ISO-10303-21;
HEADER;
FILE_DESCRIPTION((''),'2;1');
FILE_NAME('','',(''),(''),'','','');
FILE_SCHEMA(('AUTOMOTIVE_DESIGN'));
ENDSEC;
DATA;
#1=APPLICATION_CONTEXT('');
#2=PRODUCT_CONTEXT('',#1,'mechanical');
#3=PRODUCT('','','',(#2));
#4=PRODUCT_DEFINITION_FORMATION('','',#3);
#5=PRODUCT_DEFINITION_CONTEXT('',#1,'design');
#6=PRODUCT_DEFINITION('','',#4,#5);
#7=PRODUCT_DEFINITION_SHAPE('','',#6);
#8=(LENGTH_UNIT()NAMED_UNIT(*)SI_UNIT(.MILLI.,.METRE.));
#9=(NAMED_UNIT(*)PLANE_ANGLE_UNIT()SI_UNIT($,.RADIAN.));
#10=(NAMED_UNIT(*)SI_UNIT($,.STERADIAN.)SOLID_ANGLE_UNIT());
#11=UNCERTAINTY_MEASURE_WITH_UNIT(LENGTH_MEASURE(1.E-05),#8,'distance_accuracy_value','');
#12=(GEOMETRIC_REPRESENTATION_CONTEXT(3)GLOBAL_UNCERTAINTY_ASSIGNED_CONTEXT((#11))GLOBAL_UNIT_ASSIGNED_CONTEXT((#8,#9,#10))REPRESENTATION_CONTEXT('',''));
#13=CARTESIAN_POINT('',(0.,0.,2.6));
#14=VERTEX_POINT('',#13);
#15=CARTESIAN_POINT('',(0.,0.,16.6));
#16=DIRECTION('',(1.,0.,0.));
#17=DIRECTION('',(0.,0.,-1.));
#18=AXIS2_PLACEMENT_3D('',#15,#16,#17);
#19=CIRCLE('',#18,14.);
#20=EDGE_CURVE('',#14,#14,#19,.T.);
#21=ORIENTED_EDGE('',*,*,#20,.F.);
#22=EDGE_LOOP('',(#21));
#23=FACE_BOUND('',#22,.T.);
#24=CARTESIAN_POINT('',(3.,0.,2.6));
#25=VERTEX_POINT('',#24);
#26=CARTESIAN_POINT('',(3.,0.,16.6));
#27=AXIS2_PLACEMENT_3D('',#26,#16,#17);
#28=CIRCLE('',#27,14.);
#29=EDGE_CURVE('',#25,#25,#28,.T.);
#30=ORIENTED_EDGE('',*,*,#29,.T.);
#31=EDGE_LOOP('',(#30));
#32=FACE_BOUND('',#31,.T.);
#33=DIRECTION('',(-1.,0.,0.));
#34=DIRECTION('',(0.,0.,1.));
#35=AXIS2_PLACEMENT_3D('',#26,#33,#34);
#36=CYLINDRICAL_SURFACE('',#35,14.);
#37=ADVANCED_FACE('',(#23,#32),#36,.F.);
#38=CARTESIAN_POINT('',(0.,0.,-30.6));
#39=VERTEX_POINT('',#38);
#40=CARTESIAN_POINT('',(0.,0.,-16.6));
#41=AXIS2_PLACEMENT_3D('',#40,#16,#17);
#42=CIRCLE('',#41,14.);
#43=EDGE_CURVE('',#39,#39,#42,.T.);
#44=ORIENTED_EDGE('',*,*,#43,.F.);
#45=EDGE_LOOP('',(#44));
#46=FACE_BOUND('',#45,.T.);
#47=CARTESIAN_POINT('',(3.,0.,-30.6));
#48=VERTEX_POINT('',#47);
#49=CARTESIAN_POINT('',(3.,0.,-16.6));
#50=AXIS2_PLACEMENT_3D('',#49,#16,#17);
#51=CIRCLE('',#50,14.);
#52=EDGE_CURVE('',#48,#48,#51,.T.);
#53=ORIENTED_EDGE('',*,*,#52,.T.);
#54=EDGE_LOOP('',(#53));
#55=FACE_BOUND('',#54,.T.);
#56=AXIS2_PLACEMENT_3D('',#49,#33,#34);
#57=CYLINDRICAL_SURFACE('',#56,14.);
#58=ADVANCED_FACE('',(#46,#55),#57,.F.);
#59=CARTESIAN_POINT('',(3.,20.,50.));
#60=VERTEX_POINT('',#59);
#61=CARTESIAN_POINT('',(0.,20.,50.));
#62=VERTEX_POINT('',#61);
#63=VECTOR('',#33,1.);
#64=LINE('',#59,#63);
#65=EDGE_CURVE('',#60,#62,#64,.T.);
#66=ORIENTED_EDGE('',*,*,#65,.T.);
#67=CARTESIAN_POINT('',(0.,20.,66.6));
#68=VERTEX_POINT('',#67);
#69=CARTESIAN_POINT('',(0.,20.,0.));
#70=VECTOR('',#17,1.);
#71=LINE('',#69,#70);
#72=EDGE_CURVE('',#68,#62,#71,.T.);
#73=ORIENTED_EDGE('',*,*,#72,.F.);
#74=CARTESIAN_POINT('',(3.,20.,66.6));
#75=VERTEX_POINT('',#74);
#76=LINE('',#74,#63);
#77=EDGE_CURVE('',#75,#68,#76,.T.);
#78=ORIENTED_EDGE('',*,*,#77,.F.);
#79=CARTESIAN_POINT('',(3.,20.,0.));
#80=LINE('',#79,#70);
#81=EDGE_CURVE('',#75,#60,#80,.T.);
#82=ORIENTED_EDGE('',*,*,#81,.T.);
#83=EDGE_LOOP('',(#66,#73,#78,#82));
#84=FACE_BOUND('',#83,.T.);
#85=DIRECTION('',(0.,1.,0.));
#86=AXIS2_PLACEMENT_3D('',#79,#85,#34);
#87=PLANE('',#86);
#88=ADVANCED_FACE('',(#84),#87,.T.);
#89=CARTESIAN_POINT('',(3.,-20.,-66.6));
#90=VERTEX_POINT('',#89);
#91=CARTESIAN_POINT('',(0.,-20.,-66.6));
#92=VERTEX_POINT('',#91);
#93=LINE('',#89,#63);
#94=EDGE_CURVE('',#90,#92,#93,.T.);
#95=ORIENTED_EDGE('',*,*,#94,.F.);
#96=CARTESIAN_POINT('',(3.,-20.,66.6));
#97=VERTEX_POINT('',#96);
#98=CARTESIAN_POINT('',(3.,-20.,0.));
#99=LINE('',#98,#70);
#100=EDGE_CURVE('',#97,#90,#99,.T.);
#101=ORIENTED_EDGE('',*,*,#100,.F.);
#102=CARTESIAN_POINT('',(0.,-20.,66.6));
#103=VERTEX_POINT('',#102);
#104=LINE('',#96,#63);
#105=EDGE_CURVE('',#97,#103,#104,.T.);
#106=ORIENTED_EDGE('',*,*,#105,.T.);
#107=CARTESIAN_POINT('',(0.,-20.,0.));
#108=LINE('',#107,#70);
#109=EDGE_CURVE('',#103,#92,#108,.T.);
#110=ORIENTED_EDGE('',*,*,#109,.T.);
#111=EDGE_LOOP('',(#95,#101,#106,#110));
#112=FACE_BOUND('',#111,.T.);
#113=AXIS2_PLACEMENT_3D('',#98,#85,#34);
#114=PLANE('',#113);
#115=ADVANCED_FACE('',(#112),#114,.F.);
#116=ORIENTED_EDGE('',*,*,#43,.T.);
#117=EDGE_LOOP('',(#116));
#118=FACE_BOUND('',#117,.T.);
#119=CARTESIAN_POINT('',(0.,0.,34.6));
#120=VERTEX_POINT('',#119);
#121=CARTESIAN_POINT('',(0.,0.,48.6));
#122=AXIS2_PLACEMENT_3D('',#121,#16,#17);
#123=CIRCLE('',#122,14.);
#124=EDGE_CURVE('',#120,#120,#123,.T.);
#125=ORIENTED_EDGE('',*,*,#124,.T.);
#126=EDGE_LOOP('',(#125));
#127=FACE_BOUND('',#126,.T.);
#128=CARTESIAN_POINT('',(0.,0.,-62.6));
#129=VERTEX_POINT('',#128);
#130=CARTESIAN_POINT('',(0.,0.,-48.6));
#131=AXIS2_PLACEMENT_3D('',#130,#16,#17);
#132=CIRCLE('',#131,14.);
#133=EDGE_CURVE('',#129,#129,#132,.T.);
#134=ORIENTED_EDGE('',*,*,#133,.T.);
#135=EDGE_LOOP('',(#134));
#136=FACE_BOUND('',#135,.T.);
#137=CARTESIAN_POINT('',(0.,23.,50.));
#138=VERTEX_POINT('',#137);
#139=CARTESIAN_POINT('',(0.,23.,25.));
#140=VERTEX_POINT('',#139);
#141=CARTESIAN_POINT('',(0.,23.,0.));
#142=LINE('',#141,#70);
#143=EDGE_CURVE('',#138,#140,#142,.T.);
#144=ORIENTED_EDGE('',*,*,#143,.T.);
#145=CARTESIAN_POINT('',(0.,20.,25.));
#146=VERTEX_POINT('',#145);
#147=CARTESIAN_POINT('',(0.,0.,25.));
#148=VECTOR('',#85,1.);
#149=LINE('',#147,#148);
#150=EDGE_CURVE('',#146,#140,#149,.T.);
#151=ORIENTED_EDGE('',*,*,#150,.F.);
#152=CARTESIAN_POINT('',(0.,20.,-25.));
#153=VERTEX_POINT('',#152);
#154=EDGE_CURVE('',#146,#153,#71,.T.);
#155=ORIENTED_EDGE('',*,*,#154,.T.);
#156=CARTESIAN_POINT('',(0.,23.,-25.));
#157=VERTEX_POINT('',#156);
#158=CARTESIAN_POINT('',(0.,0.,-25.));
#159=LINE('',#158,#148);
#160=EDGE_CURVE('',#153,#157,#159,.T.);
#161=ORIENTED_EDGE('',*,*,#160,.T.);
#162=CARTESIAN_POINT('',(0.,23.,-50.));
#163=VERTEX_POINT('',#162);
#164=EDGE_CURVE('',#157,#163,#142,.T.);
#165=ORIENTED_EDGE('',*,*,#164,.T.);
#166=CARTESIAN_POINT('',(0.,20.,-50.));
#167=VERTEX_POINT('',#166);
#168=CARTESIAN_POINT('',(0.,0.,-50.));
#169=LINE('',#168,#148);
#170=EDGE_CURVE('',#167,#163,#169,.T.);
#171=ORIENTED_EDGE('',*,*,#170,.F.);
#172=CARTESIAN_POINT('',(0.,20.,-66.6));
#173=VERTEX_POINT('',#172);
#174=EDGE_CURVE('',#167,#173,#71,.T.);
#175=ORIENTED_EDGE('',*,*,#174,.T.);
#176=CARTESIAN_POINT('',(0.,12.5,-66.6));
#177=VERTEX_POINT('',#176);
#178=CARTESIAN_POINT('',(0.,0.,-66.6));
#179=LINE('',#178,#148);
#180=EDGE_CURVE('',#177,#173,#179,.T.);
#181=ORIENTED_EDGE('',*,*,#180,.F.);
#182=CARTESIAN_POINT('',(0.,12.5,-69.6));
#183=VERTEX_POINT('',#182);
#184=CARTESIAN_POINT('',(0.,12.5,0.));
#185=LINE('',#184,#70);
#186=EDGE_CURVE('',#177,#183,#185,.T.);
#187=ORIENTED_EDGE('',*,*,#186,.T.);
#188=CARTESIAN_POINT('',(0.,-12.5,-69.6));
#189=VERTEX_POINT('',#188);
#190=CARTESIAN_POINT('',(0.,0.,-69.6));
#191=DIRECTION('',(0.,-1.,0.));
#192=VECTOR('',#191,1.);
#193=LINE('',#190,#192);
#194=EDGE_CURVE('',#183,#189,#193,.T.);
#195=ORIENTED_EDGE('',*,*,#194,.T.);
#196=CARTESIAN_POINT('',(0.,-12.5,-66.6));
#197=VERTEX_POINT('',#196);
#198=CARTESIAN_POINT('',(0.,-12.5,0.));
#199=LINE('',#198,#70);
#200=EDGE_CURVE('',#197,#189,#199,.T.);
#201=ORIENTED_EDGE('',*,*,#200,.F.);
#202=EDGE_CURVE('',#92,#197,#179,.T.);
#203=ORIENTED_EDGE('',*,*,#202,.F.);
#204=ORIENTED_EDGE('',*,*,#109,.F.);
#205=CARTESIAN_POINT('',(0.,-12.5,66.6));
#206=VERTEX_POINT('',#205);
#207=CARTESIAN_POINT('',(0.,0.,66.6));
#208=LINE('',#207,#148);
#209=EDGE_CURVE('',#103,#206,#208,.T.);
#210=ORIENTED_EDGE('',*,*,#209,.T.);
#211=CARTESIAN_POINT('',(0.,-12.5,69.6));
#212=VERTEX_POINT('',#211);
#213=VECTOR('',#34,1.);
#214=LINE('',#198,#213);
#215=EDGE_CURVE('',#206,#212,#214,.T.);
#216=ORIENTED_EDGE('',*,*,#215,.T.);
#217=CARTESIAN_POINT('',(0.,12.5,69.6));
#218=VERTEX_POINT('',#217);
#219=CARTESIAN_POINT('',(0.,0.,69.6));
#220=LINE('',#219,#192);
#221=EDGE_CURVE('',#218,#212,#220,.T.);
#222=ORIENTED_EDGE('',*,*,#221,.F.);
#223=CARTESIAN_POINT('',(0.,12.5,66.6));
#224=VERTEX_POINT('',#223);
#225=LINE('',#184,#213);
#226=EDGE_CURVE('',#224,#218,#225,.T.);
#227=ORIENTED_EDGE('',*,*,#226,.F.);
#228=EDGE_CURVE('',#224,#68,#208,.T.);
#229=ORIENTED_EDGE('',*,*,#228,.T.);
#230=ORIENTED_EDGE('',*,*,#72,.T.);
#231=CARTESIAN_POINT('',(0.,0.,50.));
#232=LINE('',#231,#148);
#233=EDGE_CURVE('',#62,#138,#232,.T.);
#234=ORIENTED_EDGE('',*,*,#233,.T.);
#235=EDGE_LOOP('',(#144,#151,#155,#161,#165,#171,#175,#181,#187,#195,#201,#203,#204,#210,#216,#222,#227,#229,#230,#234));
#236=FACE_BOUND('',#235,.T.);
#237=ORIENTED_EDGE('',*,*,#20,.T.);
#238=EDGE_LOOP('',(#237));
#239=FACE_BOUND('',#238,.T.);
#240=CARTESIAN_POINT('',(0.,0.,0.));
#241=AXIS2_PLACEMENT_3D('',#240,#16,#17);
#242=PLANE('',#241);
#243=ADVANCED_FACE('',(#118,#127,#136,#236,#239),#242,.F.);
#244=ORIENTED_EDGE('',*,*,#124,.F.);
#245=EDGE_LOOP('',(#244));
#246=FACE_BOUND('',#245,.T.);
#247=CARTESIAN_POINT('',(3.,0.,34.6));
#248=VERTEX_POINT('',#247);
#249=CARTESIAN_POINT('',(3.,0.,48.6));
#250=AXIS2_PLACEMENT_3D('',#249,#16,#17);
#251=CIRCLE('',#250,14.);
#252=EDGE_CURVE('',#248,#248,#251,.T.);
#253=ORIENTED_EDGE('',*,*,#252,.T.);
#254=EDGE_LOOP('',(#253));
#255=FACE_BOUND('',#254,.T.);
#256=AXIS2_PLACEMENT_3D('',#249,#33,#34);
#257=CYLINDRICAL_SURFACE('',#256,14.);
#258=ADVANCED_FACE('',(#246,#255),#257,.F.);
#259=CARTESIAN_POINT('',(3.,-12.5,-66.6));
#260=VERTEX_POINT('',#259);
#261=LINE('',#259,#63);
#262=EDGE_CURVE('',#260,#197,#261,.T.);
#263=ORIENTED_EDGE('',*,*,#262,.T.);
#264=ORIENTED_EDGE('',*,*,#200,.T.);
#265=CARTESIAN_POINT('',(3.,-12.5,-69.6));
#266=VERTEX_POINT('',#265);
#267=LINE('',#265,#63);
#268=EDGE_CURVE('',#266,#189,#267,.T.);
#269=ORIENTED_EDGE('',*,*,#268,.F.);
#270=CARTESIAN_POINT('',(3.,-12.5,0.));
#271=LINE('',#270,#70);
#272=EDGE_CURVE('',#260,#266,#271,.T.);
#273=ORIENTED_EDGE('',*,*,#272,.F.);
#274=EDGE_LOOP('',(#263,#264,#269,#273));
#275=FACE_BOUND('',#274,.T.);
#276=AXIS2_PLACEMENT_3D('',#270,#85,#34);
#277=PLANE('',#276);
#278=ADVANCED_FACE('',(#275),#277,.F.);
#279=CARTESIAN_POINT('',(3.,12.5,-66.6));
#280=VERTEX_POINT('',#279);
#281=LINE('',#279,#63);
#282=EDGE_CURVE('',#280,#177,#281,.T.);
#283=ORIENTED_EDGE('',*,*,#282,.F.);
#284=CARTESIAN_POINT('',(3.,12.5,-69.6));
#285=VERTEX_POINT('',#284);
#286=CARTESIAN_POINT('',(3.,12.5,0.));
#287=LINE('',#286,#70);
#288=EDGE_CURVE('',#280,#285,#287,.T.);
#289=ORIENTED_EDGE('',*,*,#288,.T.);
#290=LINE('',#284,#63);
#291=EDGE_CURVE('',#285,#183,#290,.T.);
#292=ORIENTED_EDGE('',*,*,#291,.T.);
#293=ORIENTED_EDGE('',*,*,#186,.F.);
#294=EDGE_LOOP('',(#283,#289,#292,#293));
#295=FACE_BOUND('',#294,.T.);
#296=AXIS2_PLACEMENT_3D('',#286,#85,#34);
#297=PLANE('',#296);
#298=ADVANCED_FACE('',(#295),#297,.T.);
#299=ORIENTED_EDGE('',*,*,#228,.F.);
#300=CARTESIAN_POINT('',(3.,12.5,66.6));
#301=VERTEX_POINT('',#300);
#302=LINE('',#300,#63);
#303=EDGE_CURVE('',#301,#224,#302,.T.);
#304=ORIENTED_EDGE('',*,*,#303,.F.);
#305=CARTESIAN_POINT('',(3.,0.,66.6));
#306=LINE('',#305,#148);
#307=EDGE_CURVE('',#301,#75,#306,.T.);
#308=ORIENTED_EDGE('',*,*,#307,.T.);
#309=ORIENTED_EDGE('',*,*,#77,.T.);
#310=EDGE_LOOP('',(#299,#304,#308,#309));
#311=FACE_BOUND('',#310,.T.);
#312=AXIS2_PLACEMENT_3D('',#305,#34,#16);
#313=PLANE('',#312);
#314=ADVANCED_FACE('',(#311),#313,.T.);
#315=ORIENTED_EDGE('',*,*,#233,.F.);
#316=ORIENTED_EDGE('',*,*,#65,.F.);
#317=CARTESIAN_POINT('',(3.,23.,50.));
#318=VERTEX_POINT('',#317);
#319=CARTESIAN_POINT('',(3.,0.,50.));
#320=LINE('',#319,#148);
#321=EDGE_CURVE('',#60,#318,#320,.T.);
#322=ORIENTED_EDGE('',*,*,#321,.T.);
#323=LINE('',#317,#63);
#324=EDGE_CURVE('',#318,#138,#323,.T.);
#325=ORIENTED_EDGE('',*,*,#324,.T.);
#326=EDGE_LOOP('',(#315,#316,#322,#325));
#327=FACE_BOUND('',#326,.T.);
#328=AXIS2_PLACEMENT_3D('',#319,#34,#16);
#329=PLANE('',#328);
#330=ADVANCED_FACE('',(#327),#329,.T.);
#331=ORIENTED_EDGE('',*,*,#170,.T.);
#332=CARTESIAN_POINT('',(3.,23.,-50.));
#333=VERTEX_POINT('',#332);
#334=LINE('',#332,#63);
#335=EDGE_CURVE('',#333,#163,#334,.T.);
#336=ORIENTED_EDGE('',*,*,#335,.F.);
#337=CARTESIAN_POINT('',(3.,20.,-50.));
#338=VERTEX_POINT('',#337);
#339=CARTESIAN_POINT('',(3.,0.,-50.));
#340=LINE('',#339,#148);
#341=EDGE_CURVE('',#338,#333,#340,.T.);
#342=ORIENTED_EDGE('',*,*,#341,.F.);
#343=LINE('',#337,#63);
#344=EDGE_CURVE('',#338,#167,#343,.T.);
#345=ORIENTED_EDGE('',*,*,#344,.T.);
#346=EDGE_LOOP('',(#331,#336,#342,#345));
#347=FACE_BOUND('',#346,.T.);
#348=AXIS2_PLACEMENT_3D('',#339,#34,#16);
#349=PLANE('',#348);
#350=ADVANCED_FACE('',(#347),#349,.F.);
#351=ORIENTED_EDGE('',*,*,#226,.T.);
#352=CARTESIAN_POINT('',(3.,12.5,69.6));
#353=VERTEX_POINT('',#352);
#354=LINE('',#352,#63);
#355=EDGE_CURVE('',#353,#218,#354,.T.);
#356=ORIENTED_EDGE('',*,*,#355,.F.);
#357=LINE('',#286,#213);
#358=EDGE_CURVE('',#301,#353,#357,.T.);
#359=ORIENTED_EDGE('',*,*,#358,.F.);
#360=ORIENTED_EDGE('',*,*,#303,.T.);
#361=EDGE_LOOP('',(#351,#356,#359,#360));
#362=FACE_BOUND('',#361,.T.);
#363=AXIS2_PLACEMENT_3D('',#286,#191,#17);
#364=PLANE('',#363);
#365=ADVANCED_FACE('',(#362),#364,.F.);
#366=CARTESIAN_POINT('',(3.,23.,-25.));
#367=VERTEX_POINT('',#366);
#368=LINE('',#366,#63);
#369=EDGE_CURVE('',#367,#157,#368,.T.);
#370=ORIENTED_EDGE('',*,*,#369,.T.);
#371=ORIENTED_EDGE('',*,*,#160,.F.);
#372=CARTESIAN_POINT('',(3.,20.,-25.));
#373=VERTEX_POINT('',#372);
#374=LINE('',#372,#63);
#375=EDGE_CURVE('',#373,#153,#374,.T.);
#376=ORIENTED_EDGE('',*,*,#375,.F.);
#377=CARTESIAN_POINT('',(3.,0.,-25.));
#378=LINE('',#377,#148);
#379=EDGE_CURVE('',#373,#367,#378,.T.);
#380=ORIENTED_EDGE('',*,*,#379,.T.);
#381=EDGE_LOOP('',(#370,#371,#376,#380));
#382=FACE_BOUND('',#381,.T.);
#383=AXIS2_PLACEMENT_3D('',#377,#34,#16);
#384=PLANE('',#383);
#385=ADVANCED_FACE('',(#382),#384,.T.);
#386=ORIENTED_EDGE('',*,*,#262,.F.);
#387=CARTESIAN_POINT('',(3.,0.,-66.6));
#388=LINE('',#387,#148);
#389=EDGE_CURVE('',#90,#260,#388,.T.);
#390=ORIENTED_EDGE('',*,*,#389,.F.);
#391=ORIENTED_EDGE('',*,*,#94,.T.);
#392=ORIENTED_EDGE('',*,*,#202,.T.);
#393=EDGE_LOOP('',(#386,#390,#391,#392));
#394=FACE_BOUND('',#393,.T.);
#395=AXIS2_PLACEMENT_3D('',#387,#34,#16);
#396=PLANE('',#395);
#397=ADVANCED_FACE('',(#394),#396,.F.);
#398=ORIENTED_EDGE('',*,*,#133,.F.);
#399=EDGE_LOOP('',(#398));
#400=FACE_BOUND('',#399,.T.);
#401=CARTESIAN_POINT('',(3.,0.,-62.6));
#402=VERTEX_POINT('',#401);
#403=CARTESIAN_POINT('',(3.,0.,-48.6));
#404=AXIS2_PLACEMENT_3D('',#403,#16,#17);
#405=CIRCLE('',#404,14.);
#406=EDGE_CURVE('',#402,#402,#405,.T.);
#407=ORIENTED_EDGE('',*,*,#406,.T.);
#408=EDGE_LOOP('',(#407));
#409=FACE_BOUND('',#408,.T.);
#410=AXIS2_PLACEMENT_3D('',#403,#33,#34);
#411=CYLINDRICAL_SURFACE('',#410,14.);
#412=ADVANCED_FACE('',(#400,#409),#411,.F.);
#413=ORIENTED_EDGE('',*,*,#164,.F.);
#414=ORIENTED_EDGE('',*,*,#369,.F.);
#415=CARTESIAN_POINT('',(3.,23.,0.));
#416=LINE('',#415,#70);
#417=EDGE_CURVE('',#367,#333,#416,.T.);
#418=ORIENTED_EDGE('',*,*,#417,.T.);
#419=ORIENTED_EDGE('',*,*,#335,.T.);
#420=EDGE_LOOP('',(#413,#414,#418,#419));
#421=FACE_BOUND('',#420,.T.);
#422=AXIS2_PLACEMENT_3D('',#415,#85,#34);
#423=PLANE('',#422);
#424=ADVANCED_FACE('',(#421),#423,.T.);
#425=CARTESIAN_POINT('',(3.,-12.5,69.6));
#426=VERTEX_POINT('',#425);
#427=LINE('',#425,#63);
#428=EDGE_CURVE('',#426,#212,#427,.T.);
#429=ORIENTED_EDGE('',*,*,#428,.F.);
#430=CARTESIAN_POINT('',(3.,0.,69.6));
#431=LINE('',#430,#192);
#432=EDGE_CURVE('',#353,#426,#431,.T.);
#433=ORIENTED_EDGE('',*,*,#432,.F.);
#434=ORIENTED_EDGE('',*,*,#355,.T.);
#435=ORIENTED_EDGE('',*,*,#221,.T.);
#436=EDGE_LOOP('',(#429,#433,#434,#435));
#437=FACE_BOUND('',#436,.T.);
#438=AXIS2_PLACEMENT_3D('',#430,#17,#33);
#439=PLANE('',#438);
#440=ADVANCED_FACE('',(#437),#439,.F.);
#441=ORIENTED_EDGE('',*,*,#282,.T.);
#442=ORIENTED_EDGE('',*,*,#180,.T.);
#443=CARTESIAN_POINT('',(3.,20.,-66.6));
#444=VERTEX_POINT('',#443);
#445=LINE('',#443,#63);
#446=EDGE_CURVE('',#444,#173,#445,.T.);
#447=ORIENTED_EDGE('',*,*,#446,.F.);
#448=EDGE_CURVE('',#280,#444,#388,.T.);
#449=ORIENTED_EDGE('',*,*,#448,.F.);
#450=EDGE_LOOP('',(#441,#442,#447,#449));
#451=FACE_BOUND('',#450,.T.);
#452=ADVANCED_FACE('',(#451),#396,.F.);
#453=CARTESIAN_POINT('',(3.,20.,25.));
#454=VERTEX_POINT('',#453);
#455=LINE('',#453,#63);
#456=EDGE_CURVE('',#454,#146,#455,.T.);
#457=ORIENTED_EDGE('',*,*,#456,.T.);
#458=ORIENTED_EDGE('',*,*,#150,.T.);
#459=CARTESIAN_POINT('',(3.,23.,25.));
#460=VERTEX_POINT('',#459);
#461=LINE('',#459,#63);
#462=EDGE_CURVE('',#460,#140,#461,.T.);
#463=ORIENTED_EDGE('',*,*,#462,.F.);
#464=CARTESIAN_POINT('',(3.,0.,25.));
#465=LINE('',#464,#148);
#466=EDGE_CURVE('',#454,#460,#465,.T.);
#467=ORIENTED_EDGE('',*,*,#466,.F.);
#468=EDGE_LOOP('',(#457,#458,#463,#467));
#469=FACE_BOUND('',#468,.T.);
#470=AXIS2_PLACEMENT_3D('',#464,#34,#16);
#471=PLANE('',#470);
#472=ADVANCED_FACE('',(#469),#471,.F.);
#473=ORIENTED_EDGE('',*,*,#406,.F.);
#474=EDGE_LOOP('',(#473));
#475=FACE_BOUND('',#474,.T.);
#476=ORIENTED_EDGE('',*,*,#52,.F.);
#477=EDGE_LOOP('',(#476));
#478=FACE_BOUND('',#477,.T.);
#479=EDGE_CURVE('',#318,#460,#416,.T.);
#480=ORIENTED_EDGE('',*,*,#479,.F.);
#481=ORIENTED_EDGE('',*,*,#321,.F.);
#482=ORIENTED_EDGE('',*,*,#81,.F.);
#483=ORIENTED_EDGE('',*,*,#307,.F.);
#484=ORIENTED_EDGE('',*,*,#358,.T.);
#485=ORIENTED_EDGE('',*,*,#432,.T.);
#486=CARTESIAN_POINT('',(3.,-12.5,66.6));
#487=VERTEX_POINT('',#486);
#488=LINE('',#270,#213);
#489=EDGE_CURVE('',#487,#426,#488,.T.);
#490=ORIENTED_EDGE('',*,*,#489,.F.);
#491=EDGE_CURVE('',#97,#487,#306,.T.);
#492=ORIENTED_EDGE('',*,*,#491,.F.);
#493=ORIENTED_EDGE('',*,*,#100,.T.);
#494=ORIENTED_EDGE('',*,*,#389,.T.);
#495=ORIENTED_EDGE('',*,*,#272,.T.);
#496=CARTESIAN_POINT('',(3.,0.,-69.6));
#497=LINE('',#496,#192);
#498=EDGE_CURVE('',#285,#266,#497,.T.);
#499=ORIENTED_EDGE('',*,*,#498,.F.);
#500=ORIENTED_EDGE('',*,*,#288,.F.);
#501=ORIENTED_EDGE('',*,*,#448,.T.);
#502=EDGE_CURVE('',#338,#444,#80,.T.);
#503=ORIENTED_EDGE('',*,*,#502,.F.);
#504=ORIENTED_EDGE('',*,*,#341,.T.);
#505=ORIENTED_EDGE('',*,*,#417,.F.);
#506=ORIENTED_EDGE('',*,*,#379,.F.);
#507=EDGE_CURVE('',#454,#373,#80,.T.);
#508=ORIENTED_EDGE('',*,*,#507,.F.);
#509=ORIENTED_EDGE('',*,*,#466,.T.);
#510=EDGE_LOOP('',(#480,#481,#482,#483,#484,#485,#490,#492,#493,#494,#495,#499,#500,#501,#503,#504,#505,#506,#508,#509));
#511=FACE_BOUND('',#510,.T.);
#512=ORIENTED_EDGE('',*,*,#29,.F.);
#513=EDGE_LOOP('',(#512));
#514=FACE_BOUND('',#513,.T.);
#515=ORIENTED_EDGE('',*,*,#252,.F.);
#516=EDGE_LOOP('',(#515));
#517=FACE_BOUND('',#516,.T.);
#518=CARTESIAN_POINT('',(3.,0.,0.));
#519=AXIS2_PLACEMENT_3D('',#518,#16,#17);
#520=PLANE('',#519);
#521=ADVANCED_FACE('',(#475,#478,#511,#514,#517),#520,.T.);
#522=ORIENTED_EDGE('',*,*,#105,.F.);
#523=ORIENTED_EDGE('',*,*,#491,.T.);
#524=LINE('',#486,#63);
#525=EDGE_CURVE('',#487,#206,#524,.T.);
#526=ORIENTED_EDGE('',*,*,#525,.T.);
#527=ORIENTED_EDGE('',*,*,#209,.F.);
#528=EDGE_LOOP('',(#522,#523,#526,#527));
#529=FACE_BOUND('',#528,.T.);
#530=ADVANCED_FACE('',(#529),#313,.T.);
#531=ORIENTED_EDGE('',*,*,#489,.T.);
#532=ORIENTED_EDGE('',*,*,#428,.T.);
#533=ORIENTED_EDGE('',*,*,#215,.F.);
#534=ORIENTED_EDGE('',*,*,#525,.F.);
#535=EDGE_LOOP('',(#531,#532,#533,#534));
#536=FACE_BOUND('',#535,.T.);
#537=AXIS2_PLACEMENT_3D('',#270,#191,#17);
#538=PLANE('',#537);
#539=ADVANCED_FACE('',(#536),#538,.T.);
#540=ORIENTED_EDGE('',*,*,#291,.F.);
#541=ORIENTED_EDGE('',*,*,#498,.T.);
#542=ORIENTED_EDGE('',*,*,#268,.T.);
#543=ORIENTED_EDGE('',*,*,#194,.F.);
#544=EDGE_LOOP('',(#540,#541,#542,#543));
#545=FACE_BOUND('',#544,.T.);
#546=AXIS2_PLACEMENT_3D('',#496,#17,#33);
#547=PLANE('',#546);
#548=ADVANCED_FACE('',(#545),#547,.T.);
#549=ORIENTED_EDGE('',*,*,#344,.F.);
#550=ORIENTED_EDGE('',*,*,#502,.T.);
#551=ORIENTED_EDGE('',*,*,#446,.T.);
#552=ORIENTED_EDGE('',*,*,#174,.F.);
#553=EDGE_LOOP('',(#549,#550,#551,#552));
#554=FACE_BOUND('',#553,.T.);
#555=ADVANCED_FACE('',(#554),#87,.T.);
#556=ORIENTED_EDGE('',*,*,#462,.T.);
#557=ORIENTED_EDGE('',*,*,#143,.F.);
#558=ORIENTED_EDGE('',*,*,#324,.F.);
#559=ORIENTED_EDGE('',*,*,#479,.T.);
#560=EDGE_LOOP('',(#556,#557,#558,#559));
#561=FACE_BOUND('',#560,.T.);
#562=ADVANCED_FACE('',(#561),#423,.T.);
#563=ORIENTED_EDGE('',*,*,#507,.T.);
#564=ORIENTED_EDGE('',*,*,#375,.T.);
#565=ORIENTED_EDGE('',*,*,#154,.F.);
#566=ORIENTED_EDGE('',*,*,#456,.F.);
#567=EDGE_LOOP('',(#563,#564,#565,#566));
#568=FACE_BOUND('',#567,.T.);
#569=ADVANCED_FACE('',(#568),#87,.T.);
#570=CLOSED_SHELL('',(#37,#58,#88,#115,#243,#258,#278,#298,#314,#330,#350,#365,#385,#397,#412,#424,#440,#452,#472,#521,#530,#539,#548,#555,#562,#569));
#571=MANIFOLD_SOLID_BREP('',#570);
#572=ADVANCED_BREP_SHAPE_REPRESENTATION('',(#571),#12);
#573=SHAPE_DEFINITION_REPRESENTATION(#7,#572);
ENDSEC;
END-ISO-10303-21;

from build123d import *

# Parameters (mm, degrees)
SKETCH1_R           = 14
BOSS_EXTRUDE1_DEPTH = 3


with BuildPart() as part:
    # Sketch1 → Boss-Extrude1 (new body)
    with BuildSketch(Plane(origin=(0, 0, 0), x_dir=(0, 0, -1), z_dir=(1, 0, 0))):
        Polygon((-66.6, -12.5), (-66.6, -20), (66.6, -20), (66.6, -12.5), (69.6, -12.5), (69.6, 12.5), (66.6, 12.5), (66.6, 20), (50, 20), (50, 23), (25, 23), (25, 20), (-25, 20), (-25, 23), (-50, 23), (-50, 20), (-66.6, 20), (-66.6, 12.5), (-69.6, 12.5), (-69.6, -12.5), align=None)
        with Locations((-48.6, 0)):
            Circle(SKETCH1_R, mode=Mode.SUBTRACT)
        with Locations((-16.6, 0)):
            Circle(SKETCH1_R, mode=Mode.SUBTRACT)
        with Locations((16.6, 0)):
            Circle(SKETCH1_R, mode=Mode.SUBTRACT)
        with Locations((48.6, 0)):
            Circle(SKETCH1_R, mode=Mode.SUBTRACT)
    extrude(amount=BOSS_EXTRUDE1_DEPTH)


solid = part.part
